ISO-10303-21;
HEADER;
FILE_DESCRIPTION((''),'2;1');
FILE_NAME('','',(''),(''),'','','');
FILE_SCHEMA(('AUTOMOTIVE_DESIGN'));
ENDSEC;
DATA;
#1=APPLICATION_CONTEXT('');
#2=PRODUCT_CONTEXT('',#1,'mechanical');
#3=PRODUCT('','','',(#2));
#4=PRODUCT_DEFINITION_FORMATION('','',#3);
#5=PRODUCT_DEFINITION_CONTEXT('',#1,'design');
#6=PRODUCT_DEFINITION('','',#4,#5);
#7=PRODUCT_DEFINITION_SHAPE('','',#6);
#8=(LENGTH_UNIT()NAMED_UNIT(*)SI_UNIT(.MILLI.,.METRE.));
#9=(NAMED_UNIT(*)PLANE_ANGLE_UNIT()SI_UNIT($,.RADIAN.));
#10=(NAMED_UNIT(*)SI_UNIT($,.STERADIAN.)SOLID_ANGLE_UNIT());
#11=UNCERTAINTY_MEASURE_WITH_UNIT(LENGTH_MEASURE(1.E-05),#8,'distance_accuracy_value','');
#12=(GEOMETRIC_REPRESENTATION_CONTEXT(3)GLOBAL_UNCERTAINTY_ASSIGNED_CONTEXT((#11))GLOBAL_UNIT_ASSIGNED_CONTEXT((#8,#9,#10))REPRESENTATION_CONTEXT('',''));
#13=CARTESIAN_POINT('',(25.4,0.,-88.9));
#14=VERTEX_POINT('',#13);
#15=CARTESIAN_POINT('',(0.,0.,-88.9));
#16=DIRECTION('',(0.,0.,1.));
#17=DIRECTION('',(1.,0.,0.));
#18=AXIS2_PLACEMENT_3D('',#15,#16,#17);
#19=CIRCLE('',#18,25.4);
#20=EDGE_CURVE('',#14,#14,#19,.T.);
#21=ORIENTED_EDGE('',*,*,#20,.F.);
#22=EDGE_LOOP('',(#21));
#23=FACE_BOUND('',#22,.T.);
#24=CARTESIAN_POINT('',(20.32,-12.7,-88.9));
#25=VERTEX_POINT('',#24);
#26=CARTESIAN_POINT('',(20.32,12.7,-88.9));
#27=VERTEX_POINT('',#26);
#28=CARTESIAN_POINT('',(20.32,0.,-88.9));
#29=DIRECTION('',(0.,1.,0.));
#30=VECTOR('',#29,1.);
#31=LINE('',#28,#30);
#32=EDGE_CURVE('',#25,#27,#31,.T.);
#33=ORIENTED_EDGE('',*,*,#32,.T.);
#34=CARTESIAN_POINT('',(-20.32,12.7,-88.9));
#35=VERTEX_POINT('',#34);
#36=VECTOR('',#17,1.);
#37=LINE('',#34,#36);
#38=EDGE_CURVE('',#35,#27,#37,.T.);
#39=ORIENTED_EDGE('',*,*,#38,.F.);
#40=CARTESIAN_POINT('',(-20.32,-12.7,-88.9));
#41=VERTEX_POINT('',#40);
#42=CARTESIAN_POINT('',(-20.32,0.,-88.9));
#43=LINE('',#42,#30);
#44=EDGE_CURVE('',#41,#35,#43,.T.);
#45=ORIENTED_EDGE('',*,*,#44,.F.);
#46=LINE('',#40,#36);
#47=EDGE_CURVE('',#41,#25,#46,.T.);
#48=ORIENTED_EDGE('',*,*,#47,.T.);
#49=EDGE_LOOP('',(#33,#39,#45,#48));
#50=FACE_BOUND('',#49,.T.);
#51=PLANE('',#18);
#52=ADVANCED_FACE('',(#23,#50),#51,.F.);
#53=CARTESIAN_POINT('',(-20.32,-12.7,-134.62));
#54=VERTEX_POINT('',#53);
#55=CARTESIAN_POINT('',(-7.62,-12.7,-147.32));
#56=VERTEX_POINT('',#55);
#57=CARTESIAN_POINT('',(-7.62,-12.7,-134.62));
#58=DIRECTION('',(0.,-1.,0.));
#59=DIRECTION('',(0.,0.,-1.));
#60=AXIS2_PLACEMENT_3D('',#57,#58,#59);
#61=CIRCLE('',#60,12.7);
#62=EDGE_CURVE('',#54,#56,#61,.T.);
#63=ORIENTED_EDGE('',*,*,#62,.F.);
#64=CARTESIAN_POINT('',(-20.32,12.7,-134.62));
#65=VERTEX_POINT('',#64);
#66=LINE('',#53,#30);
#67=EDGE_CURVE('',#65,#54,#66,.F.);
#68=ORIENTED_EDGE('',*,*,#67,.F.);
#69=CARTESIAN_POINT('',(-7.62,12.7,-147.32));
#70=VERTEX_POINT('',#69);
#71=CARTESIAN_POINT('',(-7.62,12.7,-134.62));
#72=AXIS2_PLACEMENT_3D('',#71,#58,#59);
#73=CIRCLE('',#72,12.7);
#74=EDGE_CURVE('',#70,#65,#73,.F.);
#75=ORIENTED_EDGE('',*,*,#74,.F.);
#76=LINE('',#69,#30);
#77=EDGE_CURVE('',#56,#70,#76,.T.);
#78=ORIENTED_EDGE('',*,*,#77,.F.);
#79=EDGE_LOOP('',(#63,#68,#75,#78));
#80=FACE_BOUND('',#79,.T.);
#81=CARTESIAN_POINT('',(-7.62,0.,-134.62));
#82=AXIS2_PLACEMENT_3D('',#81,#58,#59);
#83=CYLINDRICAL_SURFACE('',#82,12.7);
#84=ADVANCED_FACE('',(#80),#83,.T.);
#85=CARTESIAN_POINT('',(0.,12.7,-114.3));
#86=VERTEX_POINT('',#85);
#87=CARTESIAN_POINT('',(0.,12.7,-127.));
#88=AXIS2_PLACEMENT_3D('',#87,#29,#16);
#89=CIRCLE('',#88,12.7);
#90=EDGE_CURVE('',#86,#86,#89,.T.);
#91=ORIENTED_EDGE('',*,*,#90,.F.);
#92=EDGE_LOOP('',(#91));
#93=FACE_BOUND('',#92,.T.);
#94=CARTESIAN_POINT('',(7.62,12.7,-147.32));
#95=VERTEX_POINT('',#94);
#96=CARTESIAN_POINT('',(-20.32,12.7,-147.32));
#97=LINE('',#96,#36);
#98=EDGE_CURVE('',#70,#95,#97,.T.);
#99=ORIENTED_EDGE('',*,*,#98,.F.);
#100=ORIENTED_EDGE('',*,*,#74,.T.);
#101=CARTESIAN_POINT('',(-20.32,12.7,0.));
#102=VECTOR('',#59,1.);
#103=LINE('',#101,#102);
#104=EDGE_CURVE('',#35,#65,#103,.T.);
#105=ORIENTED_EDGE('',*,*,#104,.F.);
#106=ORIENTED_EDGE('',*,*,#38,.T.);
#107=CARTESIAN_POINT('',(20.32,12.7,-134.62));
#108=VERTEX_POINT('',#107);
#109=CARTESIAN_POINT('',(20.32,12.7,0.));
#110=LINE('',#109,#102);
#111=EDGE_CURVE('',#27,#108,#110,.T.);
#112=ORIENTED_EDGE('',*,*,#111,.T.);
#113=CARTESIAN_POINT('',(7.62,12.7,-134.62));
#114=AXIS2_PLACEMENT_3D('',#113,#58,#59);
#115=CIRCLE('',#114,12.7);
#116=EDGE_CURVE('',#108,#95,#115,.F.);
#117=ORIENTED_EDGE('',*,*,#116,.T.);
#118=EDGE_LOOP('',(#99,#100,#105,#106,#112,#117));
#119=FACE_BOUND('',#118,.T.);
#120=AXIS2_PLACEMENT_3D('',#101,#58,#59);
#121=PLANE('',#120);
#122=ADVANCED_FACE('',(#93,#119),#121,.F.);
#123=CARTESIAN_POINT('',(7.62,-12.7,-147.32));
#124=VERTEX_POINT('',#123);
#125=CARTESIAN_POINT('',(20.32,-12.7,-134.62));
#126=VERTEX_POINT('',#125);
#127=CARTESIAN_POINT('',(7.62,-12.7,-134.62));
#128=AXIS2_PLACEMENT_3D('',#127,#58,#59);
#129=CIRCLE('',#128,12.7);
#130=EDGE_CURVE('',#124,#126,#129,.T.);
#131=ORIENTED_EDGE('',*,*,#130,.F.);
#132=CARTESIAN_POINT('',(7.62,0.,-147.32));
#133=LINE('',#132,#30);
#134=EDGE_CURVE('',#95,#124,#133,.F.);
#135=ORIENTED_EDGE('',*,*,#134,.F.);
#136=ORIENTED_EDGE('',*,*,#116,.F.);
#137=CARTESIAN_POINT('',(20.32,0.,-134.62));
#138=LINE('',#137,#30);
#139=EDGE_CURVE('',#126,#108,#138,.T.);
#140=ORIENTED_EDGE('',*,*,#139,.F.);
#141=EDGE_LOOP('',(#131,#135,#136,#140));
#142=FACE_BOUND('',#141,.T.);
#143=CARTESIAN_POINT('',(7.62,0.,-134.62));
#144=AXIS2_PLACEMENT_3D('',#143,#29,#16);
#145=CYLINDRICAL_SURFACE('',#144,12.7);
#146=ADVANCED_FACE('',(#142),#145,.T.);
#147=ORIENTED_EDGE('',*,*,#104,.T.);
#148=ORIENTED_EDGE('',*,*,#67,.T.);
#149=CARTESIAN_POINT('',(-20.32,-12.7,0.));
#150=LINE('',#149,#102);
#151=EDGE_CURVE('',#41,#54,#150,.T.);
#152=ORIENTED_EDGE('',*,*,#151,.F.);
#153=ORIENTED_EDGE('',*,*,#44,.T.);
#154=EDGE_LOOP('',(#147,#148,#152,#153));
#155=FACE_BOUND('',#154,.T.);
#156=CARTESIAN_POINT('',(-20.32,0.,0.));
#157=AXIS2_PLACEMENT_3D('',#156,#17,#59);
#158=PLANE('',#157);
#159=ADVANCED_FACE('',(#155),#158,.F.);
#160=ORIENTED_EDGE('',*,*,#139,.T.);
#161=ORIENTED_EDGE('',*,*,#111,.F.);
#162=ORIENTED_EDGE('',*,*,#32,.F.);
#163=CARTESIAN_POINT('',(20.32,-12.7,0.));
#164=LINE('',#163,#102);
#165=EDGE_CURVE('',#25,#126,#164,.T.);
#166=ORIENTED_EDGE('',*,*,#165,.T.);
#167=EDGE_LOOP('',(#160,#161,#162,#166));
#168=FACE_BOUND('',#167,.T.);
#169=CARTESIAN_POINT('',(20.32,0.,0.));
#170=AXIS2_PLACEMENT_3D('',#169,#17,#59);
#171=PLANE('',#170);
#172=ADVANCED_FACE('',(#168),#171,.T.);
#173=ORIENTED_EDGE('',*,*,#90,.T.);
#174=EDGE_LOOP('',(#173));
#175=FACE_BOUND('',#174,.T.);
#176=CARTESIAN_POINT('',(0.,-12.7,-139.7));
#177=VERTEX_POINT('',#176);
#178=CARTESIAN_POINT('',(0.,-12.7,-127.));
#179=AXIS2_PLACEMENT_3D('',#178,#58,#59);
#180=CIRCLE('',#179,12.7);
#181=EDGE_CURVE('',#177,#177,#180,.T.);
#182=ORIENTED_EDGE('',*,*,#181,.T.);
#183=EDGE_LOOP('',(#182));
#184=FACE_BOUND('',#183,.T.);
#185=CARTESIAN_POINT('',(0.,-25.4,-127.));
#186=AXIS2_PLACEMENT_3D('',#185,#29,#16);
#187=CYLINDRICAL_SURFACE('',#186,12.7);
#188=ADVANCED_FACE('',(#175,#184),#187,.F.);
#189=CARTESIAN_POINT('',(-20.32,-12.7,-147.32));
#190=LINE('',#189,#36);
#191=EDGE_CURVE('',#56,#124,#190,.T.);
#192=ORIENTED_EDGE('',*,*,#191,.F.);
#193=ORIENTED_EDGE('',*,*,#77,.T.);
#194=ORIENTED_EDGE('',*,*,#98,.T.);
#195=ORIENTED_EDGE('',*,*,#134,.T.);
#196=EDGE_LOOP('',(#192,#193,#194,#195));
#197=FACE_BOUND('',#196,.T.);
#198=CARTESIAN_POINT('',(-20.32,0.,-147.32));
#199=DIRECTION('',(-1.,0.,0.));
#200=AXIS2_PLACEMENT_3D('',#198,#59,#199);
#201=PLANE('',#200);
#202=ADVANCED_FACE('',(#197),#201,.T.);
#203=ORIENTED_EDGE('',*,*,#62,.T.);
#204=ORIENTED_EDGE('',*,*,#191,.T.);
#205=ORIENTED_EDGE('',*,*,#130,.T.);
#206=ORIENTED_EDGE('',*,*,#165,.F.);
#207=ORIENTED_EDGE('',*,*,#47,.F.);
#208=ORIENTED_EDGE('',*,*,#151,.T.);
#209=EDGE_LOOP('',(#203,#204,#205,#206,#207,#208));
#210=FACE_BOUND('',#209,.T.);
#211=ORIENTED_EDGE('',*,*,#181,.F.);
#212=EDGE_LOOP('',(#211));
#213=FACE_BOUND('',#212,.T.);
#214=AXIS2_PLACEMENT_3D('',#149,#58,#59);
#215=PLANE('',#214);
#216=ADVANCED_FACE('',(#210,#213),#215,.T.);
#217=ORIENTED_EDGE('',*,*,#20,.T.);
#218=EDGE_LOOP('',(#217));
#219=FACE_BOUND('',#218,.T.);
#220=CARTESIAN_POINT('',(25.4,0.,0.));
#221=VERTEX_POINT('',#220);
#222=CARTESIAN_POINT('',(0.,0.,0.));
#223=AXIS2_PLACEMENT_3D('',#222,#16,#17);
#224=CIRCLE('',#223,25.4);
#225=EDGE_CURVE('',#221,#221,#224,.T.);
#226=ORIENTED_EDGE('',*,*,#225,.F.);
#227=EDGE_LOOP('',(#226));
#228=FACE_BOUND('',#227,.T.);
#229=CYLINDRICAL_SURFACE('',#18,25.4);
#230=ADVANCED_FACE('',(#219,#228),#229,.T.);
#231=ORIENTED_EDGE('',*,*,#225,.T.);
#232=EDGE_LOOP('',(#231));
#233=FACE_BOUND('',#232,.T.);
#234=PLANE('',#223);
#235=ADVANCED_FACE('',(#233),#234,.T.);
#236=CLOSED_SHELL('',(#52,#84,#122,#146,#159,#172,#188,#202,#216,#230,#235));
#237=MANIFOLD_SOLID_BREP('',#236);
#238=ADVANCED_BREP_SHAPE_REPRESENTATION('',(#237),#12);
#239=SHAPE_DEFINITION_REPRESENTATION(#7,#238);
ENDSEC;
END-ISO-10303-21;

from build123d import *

# Parameters (mm, degrees)
SKETCH1_R                = 25.4
BOSS_EXTRUDE1_DEPTH      = 88.9
BOSS_EXTRUDE2_DEPTH      = 20.32
BOSS_EXTRUDE2_DEPTH_BACK = 20.32
SKETCH2_W                = 58.42
SKETCH2_H                = 25.4
FILLET1_R                = 12.7
SKETCH3_R                = 12.7
CUT_EXTRUDE3_DEPTH       = 155.272331933


with BuildPart() as part:
    # Sketch1 → Boss-Extrude1 (new body)
    with BuildSketch(Plane.XY):
        Circle(SKETCH1_R)
    extrude(amount=-BOSS_EXTRUDE1_DEPTH)

    # Sketch2 → Boss-Extrude2 (add, two sides: drawn at the far end of the back side and taken through both)
    with BuildSketch(Plane(origin=(0, 0, 0), x_dir=(0, 0, -1), z_dir=(1, 0, 0)).offset(-BOSS_EXTRUDE2_DEPTH_BACK)):
        with Locations((118.11, 0)):
            Rectangle(SKETCH2_W, SKETCH2_H)
    extrude(amount=BOSS_EXTRUDE2_DEPTH + BOSS_EXTRUDE2_DEPTH_BACK)

    # Fillet1
    fillet1_edges = [part.edges().sort_by_distance(p)[0] for p in [
        (20.32, 0, -147.32),
        (-20.32, 0, -147.32),
    ]]
    fillet(fillet1_edges, radius=FILLET1_R)

    # Sketch3 → Cut-Extrude3 (cut, through all)
    with BuildSketch(Plane(origin=(0, 12.7, 0), x_dir=(1, 0, 0), z_dir=(0, 1, 0))):
        with Locations((0, 127)):
            Circle(SKETCH3_R)
    extrude(amount=-CUT_EXTRUDE3_DEPTH, mode=Mode.SUBTRACT)


solid = part.part
